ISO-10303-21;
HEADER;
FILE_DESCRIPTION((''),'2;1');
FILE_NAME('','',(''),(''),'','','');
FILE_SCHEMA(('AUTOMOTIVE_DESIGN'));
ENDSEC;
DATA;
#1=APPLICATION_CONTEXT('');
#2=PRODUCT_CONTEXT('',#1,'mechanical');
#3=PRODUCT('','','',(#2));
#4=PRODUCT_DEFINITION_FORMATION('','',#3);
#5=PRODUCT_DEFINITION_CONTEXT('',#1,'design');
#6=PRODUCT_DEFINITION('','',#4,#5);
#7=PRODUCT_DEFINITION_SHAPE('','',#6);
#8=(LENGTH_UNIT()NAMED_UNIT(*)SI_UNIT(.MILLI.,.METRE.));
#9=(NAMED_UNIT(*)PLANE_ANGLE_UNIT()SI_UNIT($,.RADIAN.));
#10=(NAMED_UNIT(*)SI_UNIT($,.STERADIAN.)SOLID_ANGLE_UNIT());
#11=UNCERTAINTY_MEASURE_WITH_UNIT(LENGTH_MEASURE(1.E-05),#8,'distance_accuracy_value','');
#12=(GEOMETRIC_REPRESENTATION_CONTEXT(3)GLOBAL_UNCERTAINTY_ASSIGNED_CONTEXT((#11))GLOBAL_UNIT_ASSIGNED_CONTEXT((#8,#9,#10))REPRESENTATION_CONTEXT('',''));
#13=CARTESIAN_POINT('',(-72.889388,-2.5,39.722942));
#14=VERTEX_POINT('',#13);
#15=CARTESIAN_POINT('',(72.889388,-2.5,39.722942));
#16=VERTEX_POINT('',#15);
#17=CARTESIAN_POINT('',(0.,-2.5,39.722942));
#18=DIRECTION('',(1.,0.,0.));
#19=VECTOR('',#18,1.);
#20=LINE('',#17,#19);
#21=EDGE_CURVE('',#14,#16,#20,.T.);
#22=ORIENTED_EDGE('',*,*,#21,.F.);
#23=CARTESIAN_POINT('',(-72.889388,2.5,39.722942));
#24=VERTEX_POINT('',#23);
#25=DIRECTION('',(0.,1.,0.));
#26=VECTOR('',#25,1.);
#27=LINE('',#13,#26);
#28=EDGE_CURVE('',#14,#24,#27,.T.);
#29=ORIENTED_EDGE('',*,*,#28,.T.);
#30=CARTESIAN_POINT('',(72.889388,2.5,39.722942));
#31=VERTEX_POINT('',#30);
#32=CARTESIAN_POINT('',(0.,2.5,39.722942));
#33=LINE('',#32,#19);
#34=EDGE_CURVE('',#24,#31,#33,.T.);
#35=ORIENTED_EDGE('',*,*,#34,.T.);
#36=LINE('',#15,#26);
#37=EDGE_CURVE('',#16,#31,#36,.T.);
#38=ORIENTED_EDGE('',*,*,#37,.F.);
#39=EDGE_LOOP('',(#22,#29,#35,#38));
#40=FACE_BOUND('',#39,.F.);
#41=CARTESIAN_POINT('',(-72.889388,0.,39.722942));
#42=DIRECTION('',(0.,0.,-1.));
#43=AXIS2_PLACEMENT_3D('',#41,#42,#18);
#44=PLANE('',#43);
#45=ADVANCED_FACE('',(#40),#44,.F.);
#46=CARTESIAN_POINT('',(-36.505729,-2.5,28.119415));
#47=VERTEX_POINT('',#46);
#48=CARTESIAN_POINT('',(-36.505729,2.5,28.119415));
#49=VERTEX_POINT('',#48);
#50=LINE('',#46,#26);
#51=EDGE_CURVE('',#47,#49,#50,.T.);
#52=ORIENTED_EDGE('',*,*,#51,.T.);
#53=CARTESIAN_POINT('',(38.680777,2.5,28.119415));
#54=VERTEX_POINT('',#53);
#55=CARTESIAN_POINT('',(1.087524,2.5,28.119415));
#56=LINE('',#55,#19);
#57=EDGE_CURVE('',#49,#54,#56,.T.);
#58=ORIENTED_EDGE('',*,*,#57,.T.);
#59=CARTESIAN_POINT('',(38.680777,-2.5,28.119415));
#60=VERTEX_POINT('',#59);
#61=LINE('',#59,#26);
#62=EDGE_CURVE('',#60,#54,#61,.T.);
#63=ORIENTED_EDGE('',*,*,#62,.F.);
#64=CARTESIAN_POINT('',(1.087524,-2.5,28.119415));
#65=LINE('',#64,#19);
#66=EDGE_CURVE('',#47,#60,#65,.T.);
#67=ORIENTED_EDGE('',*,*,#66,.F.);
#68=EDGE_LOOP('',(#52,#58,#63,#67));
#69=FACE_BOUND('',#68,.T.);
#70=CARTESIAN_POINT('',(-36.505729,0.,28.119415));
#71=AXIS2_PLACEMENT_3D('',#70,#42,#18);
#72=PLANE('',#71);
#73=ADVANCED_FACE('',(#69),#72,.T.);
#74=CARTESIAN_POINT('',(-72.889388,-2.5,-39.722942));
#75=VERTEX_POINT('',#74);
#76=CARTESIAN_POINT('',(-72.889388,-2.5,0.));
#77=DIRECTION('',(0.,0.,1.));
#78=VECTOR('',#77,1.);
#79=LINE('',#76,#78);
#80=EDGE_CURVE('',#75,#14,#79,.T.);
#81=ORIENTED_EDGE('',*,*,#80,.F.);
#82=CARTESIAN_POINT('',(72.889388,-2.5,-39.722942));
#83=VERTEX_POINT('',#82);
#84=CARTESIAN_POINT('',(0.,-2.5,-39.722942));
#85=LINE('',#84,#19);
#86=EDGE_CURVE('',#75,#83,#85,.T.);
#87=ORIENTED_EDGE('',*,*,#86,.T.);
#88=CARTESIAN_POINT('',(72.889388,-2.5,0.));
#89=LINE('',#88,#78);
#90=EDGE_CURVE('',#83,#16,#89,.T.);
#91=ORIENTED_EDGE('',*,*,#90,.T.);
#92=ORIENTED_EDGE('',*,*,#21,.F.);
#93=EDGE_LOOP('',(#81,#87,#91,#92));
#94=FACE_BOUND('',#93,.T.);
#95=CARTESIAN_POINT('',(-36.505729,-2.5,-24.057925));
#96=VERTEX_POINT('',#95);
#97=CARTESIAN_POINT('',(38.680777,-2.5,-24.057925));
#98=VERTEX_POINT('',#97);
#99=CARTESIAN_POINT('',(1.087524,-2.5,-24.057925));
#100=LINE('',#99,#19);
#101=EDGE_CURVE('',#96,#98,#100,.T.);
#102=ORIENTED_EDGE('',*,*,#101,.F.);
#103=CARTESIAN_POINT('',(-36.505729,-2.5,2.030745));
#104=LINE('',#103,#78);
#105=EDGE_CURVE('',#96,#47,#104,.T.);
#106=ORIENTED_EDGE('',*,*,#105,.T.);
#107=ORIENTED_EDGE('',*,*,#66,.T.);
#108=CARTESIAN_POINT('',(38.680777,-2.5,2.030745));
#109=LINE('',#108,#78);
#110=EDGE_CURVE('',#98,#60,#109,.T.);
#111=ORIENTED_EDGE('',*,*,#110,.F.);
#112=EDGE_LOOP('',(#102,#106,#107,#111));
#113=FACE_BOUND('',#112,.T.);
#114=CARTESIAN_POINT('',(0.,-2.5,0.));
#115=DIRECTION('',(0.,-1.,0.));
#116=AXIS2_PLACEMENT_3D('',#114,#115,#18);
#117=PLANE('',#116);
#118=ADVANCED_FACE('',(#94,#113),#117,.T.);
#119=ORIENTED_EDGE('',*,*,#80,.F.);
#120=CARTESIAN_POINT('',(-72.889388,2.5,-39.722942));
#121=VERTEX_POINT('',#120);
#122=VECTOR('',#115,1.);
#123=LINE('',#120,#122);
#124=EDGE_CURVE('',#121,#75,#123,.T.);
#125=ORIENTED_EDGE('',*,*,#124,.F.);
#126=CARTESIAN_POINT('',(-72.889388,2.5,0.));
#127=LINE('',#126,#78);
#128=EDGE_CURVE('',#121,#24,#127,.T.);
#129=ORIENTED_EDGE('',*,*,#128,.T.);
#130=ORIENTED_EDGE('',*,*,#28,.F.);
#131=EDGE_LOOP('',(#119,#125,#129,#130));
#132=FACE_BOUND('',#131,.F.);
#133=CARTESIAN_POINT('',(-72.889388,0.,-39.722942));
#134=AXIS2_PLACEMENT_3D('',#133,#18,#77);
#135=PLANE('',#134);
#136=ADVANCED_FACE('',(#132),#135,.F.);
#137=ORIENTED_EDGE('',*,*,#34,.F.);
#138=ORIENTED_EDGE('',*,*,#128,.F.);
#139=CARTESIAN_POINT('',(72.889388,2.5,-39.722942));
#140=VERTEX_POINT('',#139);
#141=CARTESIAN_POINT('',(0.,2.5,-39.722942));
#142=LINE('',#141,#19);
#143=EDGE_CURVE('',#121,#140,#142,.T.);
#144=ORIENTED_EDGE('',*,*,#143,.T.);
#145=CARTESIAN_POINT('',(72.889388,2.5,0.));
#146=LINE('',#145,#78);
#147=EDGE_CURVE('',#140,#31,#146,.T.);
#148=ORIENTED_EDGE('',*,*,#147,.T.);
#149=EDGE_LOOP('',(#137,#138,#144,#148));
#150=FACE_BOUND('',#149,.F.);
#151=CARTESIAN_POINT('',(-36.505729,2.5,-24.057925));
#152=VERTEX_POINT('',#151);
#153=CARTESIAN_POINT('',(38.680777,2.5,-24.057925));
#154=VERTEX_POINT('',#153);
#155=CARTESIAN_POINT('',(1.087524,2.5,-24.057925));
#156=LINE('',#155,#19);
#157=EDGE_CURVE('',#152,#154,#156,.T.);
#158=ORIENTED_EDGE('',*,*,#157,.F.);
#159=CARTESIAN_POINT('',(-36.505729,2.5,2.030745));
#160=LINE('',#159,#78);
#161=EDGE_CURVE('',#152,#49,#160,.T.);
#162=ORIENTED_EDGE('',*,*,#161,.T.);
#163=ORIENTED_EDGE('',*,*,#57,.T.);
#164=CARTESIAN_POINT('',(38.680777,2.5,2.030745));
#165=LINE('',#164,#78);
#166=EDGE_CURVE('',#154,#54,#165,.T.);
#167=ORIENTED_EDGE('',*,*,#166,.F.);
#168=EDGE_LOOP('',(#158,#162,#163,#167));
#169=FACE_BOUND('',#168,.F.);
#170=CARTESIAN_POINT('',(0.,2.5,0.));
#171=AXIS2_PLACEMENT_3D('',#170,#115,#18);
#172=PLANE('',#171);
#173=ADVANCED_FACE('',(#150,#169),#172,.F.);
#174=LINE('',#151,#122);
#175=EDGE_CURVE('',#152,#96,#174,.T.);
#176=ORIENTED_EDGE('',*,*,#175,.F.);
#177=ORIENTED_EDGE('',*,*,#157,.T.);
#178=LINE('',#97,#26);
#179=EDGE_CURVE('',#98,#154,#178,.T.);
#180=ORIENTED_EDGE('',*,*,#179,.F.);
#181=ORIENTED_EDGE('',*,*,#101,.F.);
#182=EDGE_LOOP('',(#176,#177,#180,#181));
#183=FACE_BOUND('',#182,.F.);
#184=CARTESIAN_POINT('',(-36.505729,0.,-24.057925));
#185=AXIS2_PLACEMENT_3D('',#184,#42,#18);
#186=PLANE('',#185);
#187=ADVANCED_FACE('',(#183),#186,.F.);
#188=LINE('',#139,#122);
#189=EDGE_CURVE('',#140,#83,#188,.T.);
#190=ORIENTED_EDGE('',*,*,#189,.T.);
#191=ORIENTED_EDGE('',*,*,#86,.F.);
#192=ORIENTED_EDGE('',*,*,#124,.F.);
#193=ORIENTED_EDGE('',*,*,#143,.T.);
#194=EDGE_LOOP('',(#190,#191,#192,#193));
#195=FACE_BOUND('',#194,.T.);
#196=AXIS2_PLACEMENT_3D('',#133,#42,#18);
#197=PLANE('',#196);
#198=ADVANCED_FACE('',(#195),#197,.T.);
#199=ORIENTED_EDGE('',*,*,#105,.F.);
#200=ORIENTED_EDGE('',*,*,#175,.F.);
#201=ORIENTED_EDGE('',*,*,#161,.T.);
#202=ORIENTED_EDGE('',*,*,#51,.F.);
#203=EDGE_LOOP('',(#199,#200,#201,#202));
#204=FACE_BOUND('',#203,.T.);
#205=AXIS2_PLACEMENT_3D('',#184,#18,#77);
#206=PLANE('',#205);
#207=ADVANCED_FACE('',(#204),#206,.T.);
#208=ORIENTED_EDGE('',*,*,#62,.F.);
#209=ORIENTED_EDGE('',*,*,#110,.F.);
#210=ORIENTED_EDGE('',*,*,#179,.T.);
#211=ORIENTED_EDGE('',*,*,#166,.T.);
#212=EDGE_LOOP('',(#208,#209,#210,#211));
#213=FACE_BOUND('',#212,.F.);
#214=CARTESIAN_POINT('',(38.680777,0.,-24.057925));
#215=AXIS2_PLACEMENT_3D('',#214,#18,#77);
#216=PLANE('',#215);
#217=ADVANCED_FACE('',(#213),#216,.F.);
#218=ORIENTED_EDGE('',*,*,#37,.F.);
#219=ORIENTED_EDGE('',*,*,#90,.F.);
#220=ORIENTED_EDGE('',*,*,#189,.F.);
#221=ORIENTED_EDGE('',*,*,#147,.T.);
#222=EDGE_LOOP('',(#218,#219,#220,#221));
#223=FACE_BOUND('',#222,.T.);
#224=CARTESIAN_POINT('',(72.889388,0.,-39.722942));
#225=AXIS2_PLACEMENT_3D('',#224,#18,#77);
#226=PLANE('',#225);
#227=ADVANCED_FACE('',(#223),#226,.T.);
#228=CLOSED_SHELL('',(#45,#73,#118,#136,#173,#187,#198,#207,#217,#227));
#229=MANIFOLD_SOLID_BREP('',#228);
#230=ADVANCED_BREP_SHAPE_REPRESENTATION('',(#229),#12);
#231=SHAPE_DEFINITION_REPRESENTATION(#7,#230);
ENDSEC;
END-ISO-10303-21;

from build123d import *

# Parameters (mm, degrees)
F0_W     = 145.778776
F0_H     = 79.445884
F0_W_2   = 75.186506
F0_H_2   = 52.17734
F1_DEPTH = 2.5


with BuildPart() as f1:
    # F0 (on Front) → F1 (new body, symmetric)
    with BuildSketch(Plane.XZ):
        Rectangle(F0_W, F0_H)
        with Locations((1.087524, 2.030745)):
            Rectangle(F0_W_2, F0_H_2, mode=Mode.SUBTRACT)
    extrude(amount=F1_DEPTH, both=True)


solid = f1.part
